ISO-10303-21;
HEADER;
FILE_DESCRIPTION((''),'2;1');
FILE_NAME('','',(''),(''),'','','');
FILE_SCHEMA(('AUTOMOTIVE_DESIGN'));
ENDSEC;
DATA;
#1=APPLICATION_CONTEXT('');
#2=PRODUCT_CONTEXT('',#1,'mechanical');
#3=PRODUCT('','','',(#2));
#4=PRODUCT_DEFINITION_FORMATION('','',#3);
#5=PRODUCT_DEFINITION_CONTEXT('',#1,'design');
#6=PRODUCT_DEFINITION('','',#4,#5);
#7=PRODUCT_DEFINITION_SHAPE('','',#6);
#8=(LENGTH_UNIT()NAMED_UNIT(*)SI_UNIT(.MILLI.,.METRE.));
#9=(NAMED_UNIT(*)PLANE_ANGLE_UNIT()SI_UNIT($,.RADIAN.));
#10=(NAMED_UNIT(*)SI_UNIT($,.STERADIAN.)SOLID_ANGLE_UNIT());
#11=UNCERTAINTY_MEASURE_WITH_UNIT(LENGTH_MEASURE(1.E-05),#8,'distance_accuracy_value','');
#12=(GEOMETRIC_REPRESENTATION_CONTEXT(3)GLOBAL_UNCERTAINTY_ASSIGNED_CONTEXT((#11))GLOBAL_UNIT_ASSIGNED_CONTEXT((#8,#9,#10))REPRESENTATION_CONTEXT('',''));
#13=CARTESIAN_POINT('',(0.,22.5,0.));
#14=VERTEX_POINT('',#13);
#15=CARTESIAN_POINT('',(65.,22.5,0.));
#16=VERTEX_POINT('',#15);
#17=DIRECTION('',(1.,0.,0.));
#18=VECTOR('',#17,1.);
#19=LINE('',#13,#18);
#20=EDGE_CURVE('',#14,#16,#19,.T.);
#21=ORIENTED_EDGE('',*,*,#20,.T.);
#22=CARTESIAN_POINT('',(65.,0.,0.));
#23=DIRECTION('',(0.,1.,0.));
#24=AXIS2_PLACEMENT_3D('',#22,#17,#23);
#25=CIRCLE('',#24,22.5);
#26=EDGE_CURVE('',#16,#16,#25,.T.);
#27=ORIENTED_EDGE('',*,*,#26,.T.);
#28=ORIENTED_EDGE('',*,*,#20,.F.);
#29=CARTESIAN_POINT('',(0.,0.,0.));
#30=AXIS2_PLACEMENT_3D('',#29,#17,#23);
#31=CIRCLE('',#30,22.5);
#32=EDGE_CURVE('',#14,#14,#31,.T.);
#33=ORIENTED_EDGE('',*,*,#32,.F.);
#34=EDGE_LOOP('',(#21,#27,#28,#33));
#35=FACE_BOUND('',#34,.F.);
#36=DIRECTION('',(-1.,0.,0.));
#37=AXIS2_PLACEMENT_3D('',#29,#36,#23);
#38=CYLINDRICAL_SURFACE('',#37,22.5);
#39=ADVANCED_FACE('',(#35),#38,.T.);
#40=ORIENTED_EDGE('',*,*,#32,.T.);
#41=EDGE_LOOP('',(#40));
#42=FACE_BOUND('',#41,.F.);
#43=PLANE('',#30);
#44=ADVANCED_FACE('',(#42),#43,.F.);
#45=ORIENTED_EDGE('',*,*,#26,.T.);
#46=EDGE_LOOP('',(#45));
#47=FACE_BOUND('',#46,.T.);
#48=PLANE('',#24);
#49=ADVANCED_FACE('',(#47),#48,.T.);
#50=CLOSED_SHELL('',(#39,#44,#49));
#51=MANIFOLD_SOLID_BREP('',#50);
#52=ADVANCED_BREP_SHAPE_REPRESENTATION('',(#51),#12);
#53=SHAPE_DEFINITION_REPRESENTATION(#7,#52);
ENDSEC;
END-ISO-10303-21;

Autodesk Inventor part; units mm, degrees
ref_plane "YZ Plane" through (0, 0, 0) normal (1, 0, 0) x (0, 1, 0)
ref_plane "XZ Plane" through (0, 0, 0) normal (0, 1, 0) x (-1, 0, 0)
ref_plane "XY Plane" through (0, 0, 0) normal (0, 0, 1) x (1, 0, 0)
sketch "Sketch1" plane through (0, 0, 0) normal (1, 0, 0) x (0, 1, 0)
  circle A0 centre (0, 0) radius 22.5
  dimension "d0" = 45
extrude "Extrusion1" add sketch "Sketch1" along normal blind 65
properties part number "wheel"
